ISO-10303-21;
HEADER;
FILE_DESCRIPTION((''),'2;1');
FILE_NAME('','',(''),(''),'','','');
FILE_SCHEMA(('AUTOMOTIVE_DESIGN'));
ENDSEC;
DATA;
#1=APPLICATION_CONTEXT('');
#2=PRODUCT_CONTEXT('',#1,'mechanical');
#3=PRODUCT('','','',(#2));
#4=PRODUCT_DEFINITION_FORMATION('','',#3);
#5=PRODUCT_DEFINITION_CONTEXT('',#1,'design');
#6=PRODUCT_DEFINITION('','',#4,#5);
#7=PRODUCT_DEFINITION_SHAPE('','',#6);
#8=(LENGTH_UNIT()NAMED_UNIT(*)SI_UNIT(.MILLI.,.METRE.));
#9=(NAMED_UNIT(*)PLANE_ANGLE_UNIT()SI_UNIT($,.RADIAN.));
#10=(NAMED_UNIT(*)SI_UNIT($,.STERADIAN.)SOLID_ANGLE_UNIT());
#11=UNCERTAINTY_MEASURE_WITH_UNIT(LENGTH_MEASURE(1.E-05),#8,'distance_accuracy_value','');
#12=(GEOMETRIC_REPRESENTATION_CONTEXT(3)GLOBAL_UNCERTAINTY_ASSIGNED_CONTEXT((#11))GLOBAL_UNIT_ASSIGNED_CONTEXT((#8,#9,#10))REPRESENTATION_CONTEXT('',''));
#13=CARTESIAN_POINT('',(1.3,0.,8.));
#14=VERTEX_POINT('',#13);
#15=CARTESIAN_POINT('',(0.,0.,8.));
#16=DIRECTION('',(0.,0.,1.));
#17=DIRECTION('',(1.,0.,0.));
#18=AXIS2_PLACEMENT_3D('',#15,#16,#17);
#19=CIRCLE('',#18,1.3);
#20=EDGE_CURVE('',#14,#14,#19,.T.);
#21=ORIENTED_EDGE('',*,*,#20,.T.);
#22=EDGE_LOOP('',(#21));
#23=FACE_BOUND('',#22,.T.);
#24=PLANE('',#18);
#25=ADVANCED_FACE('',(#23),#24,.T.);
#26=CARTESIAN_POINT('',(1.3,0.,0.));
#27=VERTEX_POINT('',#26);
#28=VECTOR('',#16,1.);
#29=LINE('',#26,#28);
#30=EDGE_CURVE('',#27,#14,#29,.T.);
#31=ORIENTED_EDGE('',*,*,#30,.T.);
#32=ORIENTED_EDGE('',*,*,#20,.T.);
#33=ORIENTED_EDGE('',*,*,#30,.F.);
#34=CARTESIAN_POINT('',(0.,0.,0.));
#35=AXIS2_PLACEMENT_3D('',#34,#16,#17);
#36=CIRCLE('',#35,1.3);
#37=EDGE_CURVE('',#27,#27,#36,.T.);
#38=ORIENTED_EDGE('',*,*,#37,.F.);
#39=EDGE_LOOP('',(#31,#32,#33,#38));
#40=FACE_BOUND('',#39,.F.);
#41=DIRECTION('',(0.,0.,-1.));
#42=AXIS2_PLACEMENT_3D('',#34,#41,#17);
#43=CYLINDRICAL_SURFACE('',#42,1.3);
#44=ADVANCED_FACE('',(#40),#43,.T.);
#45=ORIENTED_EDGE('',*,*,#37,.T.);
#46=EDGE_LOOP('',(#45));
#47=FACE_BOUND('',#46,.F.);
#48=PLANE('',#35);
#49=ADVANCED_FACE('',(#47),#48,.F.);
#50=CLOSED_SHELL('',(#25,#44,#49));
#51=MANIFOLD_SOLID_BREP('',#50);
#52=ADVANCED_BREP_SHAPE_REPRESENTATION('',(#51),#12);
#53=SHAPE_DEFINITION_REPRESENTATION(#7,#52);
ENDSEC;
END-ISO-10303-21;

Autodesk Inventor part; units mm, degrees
ref_plane "YZ Plane" through (0, 0, 0) normal (1, 0, 0) x (0, 1, 0)
ref_plane "XZ Plane" through (0, 0, 0) normal (0, 1, 0) x (-1, 0, 0)
ref_plane "XY Plane" through (0, 0, 0) normal (0, 0, 1) x (1, 0, 0)
sketch "Sketch1" plane through (0, 0, 0) normal (0, 0, 1) x (1, 0, 0)
  circle A0 centre (0, 0) radius 1.3
  dimension "d0" = 2.6
extrude "Extrusion1" add sketch "Sketch1" along normal blind 8
properties part number "21.3"
